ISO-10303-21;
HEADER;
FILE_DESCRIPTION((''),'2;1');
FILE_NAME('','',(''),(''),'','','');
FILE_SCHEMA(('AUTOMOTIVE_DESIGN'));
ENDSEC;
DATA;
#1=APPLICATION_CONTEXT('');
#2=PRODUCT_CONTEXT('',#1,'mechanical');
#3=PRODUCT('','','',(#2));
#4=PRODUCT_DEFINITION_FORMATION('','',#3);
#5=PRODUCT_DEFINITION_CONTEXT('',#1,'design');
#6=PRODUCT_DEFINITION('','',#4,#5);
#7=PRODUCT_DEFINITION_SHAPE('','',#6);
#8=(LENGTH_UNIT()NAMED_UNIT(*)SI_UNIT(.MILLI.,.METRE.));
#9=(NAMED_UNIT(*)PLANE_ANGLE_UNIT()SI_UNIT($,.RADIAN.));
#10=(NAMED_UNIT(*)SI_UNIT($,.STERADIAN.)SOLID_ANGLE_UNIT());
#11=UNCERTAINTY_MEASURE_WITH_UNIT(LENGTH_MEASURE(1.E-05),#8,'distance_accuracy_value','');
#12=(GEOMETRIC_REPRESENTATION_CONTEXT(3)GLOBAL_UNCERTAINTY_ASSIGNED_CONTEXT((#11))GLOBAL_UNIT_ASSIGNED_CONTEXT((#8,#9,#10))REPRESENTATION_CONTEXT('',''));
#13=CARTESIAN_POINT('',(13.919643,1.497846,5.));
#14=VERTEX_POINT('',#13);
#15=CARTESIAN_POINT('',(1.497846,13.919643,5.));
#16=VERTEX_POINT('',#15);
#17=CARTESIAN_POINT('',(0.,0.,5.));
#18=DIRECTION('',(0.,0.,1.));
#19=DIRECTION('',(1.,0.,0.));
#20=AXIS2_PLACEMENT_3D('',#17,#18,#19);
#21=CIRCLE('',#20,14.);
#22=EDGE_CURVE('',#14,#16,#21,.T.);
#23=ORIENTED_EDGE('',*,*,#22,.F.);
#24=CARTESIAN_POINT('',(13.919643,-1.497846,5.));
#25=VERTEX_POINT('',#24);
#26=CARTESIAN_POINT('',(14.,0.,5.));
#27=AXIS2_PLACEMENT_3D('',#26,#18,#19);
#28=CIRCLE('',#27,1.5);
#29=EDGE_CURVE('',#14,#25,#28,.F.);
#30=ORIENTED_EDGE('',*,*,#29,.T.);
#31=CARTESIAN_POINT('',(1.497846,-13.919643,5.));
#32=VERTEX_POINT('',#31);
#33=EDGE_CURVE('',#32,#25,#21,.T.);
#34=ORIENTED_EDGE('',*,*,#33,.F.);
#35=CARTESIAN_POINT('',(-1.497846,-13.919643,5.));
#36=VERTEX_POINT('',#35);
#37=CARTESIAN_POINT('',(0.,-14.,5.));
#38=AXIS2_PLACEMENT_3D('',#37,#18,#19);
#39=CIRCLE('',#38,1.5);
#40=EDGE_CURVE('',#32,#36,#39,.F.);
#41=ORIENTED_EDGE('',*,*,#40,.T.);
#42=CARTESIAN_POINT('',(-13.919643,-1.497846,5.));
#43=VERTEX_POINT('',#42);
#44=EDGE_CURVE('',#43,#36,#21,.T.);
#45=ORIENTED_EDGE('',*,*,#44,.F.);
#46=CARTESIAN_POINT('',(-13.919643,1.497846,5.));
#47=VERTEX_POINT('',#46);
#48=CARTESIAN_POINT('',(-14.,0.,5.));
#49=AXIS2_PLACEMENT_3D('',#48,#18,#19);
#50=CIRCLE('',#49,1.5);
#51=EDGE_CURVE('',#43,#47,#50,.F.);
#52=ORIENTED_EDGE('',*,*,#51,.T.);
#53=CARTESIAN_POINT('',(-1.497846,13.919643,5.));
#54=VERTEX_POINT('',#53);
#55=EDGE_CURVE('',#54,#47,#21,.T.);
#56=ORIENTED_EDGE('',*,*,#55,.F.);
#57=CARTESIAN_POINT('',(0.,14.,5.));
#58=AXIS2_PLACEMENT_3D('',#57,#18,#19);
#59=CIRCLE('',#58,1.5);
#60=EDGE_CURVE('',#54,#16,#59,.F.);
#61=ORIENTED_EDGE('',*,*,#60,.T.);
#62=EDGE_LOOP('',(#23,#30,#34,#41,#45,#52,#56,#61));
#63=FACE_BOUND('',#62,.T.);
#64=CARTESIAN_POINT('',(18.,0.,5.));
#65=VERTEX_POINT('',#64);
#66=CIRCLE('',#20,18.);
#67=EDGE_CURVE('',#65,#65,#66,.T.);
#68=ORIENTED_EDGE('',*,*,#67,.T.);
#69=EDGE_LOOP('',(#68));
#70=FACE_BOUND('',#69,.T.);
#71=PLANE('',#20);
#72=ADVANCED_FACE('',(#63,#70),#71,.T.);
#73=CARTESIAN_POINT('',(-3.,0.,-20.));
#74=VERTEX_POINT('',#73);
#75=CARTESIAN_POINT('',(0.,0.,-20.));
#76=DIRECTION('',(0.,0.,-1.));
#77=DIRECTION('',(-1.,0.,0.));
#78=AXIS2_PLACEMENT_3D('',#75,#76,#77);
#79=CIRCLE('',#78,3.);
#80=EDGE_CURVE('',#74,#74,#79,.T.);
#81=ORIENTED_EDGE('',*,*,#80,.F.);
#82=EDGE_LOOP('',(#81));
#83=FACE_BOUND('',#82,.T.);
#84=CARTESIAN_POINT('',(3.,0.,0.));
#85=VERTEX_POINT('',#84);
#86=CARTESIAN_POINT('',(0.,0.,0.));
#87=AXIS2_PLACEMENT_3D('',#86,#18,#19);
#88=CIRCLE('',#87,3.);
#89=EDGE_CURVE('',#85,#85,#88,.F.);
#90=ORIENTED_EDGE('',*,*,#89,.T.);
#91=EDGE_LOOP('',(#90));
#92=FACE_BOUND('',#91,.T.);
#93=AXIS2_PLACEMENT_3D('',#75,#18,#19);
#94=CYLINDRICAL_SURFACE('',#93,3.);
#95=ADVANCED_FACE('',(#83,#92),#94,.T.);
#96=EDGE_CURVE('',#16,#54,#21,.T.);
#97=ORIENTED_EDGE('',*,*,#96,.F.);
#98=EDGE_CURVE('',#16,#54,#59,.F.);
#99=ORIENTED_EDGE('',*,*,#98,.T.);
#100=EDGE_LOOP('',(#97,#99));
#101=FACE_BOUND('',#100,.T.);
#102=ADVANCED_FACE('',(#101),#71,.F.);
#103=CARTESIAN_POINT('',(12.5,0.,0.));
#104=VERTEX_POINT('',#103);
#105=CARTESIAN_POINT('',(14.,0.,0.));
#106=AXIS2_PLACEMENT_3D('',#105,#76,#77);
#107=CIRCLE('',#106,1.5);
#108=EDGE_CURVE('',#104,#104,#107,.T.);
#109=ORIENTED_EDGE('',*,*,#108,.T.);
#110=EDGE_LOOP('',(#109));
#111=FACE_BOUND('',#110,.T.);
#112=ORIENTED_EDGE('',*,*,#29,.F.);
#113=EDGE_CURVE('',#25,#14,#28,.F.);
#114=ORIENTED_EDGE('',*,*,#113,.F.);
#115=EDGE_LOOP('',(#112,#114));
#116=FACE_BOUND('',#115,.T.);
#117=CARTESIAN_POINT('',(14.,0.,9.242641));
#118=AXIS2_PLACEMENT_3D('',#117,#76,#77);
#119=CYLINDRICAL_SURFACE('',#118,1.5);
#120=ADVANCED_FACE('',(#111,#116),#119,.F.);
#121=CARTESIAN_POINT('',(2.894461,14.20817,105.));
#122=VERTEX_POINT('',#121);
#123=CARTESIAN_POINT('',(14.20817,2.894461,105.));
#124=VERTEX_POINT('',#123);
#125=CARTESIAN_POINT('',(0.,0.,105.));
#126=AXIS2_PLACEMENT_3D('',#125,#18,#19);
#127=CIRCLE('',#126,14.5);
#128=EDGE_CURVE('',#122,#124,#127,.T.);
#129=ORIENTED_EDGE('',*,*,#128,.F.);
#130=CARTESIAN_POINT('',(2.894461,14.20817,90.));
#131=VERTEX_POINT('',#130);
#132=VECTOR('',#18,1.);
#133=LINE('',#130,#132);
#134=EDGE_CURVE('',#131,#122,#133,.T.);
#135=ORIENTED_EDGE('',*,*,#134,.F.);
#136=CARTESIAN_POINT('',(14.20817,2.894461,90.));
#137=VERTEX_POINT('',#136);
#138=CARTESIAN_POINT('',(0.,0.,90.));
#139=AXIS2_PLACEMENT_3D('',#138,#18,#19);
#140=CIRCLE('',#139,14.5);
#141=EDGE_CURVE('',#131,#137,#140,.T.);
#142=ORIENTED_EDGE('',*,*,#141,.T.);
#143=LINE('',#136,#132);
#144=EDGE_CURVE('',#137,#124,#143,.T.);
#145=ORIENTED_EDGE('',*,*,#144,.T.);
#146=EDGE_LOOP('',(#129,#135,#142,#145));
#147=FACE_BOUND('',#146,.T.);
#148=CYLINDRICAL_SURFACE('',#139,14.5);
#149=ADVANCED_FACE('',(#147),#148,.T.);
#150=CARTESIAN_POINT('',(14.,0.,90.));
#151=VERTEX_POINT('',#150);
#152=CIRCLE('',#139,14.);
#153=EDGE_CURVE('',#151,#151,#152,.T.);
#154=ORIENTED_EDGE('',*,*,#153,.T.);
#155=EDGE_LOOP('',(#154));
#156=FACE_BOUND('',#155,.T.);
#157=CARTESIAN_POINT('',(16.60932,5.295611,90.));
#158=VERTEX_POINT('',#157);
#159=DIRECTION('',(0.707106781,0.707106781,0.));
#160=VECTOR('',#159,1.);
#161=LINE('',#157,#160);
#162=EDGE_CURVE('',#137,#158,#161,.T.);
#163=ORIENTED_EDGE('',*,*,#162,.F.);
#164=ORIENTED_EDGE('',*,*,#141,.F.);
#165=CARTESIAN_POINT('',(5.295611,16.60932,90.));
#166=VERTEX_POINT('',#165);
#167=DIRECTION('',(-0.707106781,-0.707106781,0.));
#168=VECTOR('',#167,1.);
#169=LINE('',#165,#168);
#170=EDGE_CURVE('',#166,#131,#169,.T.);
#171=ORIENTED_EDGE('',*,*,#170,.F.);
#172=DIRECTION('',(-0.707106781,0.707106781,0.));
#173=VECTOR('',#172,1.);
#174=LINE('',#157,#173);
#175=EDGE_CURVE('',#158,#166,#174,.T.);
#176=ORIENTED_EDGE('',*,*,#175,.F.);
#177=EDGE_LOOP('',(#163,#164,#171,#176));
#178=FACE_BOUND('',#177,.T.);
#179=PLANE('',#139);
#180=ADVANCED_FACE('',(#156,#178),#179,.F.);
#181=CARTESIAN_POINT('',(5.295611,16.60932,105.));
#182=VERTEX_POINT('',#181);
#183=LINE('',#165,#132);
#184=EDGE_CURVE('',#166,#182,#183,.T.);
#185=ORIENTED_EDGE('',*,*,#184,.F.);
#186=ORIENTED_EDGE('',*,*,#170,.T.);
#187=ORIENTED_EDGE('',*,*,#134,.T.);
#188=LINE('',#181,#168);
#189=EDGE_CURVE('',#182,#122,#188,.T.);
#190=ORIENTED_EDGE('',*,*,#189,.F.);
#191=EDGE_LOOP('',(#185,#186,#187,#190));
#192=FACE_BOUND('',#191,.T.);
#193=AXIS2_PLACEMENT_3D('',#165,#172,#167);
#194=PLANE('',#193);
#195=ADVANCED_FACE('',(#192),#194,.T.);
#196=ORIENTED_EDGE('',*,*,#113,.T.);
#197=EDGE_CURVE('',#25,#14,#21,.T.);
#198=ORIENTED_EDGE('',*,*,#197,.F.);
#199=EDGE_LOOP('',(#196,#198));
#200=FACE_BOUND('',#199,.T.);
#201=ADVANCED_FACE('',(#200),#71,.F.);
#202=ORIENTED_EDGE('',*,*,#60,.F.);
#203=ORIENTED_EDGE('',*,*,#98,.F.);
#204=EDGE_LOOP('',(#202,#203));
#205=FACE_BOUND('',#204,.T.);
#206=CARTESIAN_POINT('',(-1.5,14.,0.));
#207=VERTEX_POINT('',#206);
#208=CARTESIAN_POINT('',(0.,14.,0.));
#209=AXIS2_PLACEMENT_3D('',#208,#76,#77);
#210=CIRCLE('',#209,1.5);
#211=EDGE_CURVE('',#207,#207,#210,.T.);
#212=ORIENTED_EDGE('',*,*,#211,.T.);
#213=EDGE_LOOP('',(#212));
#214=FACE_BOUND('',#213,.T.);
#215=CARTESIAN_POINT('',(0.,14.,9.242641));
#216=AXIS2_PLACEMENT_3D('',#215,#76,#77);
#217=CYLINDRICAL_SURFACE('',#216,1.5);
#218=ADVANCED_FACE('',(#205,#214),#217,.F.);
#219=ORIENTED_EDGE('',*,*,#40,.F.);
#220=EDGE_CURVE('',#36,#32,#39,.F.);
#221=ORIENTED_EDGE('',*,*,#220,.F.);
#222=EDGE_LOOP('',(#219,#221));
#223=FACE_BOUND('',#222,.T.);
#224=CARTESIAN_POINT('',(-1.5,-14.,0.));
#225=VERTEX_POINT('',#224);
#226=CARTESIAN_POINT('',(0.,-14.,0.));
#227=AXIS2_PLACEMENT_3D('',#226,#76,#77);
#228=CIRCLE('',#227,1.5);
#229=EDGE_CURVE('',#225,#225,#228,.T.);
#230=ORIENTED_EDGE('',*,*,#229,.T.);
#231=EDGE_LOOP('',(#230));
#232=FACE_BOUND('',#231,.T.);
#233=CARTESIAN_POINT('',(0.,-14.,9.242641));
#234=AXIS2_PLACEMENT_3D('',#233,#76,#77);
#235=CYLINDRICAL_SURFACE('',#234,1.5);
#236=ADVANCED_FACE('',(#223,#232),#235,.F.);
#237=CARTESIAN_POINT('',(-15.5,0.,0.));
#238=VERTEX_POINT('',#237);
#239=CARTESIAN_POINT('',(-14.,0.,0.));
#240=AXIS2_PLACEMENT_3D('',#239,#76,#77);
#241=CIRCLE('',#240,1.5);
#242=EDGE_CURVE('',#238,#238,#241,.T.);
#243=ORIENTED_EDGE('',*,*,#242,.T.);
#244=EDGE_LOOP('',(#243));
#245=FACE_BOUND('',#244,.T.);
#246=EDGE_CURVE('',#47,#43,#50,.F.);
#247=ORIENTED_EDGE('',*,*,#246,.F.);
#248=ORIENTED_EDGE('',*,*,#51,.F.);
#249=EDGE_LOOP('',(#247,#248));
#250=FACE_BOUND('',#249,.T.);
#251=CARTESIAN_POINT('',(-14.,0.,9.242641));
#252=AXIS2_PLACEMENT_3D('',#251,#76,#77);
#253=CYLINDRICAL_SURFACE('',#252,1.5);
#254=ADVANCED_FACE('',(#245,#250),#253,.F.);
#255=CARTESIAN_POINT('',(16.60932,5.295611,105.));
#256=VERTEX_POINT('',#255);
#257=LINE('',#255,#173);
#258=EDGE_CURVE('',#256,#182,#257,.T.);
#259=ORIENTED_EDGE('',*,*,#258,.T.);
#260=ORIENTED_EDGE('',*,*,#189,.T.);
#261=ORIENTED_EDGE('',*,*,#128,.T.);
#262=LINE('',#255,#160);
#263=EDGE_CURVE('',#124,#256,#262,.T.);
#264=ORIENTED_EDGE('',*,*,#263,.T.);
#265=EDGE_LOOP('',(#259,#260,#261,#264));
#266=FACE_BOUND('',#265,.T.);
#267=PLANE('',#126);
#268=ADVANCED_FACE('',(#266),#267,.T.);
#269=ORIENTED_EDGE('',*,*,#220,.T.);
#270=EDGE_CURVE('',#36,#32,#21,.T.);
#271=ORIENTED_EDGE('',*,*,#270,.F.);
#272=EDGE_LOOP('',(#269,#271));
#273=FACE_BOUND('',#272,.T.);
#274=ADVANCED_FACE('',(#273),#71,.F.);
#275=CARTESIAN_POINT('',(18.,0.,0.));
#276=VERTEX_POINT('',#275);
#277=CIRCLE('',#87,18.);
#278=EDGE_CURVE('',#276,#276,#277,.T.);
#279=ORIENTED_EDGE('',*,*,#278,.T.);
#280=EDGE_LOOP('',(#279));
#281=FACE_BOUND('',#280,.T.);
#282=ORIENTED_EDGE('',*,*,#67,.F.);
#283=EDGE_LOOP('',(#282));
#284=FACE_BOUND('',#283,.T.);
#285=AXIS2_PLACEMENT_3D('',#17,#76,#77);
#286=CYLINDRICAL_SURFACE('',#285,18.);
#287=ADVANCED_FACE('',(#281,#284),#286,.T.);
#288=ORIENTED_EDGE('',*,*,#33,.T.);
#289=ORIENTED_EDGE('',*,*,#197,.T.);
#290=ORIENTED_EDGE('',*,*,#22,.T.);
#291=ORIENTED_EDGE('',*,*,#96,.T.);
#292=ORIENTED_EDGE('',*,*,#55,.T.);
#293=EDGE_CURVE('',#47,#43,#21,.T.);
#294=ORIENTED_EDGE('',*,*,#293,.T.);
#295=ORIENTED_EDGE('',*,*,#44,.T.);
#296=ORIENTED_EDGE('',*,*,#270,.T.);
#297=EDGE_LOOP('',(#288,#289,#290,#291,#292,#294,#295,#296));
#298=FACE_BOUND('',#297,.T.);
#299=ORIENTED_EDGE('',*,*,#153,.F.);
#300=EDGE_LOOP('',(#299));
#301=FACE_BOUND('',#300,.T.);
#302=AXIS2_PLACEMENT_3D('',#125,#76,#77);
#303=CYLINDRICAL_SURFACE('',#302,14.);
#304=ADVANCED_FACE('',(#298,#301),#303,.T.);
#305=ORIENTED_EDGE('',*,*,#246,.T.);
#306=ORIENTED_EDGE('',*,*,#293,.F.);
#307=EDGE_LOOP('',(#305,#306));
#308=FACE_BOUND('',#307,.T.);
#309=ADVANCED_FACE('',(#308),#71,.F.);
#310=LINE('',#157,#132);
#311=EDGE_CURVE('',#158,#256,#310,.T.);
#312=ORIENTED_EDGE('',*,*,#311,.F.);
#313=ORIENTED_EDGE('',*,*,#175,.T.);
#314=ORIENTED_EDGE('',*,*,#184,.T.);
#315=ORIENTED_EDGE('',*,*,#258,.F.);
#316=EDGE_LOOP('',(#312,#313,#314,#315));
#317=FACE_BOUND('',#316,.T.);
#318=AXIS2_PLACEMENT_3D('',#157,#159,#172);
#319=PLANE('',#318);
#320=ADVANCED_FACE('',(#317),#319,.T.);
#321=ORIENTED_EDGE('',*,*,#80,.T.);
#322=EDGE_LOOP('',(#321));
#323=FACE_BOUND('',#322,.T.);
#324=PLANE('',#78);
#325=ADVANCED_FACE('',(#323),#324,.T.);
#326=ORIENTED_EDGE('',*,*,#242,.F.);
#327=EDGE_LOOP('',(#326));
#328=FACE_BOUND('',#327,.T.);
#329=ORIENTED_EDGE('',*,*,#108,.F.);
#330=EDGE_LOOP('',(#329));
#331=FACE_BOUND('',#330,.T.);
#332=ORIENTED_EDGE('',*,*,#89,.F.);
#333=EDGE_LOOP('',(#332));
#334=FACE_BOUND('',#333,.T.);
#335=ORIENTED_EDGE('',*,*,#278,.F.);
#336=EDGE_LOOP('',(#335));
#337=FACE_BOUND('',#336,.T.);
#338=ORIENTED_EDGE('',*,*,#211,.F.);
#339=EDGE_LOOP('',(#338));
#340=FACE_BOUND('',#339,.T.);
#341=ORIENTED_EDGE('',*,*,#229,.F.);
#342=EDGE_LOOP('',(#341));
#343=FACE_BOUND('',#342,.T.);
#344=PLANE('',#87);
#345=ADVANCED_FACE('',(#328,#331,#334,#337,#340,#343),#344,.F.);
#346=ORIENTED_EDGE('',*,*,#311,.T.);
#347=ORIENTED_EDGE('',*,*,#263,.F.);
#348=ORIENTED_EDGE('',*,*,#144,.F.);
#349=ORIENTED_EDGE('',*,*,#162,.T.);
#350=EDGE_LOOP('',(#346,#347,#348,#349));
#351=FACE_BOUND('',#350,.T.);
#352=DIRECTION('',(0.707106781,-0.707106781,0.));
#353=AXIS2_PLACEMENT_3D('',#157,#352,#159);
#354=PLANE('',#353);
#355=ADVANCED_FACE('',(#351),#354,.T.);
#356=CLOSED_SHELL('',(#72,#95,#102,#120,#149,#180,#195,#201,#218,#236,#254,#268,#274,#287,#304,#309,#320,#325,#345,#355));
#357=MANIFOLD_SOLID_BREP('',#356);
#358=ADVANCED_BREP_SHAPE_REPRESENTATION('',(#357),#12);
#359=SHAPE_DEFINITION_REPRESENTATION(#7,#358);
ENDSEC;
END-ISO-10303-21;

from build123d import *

# Parameters (mm, degrees)
SKETCH1_R           = 18
BOSS_EXTRUDE1_DEPTH = 5
SKETCH2_R           = 14
BOSS_EXTRUDE2_DEPTH = 100
BOSS_EXTRUDE3_DEPTH = 15
SKETCH4_R           = 1.5
CUT_EXTRUDE1_DEPTH  = 5
SKETCH5_R           = 3
BOSS_EXTRUDE4_DEPTH = 20


with BuildPart() as part:
    # Sketch1 → Boss-Extrude1 (new body)
    with BuildSketch(Plane.XY):
        Circle(SKETCH1_R)
    extrude(amount=BOSS_EXTRUDE1_DEPTH)

    # Sketch2 → Boss-Extrude2 (add)
    with BuildSketch(Plane.XY.offset(5)):
        Circle(SKETCH2_R)
    extrude(amount=BOSS_EXTRUDE2_DEPTH)

    # Sketch3 → Boss-Extrude3 (add)
    with BuildSketch(Plane.XY.offset(105)):
        with BuildLine():
            Line((16.609319779, 5.29561128), (5.29561128, 16.609319779))
            Line((5.29561128, 16.609319779), (2.894461439, 14.208169938))
            ThreePointArc((2.894461439, 14.208169938), (-10.253048327, -10.253048327), (14.208169938, 2.894461439))
            Line((14.208169938, 2.894461439), (16.609319779, 5.29561128))
        make_face()
    extrude(amount=-BOSS_EXTRUDE3_DEPTH)

    # Sketch4 → Cut-Extrude1 (cut)
    with BuildSketch(Plane(origin=(0, 0, 0), x_dir=(-1, 0, 0), z_dir=(0, 0, -1))):
        with Locations((0, 14)):
            Circle(SKETCH4_R)
        with Locations((14, 0)):
            Circle(SKETCH4_R)
        with Locations((0, -14)):
            Circle(SKETCH4_R)
        with Locations((-14, 0)):
            Circle(SKETCH4_R)
    extrude(amount=-CUT_EXTRUDE1_DEPTH, mode=Mode.SUBTRACT)

    # Sketch5 → Boss-Extrude4 (add)
    with BuildSketch(Plane(origin=(0, 0, 0), x_dir=(-1, 0, 0), z_dir=(0, 0, -1))):
        with Locations(Location((0, 0, 0), (0, 0, 180))):
            Circle(SKETCH5_R)
    extrude(amount=BOSS_EXTRUDE4_DEPTH)


solid = part.part
